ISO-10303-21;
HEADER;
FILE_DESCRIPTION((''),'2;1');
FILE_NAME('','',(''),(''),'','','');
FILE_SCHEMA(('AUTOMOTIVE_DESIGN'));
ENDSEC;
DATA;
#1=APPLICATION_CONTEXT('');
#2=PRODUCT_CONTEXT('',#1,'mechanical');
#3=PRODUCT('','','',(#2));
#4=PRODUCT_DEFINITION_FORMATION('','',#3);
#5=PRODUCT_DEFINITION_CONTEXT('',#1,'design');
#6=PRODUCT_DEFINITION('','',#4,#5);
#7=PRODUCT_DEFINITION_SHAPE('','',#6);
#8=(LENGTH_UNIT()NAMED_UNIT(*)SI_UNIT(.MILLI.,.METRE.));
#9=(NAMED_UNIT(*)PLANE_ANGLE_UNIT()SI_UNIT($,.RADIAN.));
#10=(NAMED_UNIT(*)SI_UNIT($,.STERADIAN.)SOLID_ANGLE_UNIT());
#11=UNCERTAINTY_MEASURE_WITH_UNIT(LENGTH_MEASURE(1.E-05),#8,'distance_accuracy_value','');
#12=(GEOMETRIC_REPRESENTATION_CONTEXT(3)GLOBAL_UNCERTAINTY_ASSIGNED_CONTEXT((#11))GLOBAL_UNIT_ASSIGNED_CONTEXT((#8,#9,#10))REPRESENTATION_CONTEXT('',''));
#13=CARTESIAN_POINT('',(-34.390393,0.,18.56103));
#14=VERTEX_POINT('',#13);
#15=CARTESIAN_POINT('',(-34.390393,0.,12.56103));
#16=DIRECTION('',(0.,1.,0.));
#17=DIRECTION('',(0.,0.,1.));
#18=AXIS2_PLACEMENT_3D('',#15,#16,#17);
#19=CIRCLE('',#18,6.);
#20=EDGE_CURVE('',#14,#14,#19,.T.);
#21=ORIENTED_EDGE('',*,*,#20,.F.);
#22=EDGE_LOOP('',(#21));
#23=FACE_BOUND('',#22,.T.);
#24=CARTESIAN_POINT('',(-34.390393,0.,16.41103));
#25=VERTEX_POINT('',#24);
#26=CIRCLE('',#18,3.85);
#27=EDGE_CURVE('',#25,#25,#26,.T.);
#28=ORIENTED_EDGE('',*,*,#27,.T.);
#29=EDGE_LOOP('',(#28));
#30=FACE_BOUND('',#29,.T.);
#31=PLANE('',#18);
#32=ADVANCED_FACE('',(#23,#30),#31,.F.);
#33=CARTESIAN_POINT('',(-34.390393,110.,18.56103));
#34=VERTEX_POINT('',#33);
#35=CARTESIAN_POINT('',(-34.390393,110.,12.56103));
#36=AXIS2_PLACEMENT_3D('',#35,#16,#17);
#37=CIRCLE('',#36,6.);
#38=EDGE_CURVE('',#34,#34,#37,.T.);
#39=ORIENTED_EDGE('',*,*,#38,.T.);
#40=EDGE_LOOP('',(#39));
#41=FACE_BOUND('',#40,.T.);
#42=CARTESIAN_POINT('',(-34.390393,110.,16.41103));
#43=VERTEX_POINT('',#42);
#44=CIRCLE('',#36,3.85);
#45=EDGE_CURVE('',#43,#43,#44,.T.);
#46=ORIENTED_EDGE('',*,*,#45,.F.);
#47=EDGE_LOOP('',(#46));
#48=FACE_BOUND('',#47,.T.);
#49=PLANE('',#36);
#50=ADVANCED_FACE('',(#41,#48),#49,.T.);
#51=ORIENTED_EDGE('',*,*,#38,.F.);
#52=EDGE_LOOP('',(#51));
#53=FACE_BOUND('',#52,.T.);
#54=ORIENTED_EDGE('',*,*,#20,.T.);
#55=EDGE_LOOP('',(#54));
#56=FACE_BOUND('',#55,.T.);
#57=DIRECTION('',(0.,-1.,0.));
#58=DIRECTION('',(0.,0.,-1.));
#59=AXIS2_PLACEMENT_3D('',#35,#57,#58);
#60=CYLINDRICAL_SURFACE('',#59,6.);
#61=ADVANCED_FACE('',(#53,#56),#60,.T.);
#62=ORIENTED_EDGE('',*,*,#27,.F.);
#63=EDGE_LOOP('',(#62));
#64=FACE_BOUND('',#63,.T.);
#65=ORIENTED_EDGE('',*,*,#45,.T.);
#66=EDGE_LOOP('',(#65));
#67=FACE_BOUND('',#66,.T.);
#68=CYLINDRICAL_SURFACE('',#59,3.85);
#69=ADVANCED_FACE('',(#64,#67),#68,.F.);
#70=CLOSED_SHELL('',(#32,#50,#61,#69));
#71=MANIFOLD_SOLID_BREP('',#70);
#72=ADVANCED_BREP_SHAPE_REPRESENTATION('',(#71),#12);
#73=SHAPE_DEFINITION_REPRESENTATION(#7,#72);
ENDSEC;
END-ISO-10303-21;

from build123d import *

# Parameters (mm, degrees)
ESQUISSE1_R             = 6
BOSS_EXTRU_1_DEPTH      = 110
ESQUISSE1_3_R           = 3.85
ENL_V_MAT_EXTRU_1_DEPTH = 110


with BuildPart() as part:
    # Esquisse1 → Boss.-Extru.1 (new body)
    with BuildSketch(Plane(origin=(0, 0, 0), x_dir=(1, 0, 0), z_dir=(0, 1, 0))):
        with Locations((-34.390392651, -12.56102994)):
            Circle(ESQUISSE1_R)
    extrude(amount=BOSS_EXTRU_1_DEPTH)

    # Esquisse1_3 → Enl_v. mat.-Extru.1 (cut)
    with BuildSketch(Plane(origin=(0, 0, 0), x_dir=(1, 0, 0), z_dir=(0, 1, 0))):
        with Locations((-34.390392651, -12.56102994)):
            Circle(ESQUISSE1_3_R)
    extrude(amount=ENL_V_MAT_EXTRU_1_DEPTH, mode=Mode.SUBTRACT)


solid = part.part
